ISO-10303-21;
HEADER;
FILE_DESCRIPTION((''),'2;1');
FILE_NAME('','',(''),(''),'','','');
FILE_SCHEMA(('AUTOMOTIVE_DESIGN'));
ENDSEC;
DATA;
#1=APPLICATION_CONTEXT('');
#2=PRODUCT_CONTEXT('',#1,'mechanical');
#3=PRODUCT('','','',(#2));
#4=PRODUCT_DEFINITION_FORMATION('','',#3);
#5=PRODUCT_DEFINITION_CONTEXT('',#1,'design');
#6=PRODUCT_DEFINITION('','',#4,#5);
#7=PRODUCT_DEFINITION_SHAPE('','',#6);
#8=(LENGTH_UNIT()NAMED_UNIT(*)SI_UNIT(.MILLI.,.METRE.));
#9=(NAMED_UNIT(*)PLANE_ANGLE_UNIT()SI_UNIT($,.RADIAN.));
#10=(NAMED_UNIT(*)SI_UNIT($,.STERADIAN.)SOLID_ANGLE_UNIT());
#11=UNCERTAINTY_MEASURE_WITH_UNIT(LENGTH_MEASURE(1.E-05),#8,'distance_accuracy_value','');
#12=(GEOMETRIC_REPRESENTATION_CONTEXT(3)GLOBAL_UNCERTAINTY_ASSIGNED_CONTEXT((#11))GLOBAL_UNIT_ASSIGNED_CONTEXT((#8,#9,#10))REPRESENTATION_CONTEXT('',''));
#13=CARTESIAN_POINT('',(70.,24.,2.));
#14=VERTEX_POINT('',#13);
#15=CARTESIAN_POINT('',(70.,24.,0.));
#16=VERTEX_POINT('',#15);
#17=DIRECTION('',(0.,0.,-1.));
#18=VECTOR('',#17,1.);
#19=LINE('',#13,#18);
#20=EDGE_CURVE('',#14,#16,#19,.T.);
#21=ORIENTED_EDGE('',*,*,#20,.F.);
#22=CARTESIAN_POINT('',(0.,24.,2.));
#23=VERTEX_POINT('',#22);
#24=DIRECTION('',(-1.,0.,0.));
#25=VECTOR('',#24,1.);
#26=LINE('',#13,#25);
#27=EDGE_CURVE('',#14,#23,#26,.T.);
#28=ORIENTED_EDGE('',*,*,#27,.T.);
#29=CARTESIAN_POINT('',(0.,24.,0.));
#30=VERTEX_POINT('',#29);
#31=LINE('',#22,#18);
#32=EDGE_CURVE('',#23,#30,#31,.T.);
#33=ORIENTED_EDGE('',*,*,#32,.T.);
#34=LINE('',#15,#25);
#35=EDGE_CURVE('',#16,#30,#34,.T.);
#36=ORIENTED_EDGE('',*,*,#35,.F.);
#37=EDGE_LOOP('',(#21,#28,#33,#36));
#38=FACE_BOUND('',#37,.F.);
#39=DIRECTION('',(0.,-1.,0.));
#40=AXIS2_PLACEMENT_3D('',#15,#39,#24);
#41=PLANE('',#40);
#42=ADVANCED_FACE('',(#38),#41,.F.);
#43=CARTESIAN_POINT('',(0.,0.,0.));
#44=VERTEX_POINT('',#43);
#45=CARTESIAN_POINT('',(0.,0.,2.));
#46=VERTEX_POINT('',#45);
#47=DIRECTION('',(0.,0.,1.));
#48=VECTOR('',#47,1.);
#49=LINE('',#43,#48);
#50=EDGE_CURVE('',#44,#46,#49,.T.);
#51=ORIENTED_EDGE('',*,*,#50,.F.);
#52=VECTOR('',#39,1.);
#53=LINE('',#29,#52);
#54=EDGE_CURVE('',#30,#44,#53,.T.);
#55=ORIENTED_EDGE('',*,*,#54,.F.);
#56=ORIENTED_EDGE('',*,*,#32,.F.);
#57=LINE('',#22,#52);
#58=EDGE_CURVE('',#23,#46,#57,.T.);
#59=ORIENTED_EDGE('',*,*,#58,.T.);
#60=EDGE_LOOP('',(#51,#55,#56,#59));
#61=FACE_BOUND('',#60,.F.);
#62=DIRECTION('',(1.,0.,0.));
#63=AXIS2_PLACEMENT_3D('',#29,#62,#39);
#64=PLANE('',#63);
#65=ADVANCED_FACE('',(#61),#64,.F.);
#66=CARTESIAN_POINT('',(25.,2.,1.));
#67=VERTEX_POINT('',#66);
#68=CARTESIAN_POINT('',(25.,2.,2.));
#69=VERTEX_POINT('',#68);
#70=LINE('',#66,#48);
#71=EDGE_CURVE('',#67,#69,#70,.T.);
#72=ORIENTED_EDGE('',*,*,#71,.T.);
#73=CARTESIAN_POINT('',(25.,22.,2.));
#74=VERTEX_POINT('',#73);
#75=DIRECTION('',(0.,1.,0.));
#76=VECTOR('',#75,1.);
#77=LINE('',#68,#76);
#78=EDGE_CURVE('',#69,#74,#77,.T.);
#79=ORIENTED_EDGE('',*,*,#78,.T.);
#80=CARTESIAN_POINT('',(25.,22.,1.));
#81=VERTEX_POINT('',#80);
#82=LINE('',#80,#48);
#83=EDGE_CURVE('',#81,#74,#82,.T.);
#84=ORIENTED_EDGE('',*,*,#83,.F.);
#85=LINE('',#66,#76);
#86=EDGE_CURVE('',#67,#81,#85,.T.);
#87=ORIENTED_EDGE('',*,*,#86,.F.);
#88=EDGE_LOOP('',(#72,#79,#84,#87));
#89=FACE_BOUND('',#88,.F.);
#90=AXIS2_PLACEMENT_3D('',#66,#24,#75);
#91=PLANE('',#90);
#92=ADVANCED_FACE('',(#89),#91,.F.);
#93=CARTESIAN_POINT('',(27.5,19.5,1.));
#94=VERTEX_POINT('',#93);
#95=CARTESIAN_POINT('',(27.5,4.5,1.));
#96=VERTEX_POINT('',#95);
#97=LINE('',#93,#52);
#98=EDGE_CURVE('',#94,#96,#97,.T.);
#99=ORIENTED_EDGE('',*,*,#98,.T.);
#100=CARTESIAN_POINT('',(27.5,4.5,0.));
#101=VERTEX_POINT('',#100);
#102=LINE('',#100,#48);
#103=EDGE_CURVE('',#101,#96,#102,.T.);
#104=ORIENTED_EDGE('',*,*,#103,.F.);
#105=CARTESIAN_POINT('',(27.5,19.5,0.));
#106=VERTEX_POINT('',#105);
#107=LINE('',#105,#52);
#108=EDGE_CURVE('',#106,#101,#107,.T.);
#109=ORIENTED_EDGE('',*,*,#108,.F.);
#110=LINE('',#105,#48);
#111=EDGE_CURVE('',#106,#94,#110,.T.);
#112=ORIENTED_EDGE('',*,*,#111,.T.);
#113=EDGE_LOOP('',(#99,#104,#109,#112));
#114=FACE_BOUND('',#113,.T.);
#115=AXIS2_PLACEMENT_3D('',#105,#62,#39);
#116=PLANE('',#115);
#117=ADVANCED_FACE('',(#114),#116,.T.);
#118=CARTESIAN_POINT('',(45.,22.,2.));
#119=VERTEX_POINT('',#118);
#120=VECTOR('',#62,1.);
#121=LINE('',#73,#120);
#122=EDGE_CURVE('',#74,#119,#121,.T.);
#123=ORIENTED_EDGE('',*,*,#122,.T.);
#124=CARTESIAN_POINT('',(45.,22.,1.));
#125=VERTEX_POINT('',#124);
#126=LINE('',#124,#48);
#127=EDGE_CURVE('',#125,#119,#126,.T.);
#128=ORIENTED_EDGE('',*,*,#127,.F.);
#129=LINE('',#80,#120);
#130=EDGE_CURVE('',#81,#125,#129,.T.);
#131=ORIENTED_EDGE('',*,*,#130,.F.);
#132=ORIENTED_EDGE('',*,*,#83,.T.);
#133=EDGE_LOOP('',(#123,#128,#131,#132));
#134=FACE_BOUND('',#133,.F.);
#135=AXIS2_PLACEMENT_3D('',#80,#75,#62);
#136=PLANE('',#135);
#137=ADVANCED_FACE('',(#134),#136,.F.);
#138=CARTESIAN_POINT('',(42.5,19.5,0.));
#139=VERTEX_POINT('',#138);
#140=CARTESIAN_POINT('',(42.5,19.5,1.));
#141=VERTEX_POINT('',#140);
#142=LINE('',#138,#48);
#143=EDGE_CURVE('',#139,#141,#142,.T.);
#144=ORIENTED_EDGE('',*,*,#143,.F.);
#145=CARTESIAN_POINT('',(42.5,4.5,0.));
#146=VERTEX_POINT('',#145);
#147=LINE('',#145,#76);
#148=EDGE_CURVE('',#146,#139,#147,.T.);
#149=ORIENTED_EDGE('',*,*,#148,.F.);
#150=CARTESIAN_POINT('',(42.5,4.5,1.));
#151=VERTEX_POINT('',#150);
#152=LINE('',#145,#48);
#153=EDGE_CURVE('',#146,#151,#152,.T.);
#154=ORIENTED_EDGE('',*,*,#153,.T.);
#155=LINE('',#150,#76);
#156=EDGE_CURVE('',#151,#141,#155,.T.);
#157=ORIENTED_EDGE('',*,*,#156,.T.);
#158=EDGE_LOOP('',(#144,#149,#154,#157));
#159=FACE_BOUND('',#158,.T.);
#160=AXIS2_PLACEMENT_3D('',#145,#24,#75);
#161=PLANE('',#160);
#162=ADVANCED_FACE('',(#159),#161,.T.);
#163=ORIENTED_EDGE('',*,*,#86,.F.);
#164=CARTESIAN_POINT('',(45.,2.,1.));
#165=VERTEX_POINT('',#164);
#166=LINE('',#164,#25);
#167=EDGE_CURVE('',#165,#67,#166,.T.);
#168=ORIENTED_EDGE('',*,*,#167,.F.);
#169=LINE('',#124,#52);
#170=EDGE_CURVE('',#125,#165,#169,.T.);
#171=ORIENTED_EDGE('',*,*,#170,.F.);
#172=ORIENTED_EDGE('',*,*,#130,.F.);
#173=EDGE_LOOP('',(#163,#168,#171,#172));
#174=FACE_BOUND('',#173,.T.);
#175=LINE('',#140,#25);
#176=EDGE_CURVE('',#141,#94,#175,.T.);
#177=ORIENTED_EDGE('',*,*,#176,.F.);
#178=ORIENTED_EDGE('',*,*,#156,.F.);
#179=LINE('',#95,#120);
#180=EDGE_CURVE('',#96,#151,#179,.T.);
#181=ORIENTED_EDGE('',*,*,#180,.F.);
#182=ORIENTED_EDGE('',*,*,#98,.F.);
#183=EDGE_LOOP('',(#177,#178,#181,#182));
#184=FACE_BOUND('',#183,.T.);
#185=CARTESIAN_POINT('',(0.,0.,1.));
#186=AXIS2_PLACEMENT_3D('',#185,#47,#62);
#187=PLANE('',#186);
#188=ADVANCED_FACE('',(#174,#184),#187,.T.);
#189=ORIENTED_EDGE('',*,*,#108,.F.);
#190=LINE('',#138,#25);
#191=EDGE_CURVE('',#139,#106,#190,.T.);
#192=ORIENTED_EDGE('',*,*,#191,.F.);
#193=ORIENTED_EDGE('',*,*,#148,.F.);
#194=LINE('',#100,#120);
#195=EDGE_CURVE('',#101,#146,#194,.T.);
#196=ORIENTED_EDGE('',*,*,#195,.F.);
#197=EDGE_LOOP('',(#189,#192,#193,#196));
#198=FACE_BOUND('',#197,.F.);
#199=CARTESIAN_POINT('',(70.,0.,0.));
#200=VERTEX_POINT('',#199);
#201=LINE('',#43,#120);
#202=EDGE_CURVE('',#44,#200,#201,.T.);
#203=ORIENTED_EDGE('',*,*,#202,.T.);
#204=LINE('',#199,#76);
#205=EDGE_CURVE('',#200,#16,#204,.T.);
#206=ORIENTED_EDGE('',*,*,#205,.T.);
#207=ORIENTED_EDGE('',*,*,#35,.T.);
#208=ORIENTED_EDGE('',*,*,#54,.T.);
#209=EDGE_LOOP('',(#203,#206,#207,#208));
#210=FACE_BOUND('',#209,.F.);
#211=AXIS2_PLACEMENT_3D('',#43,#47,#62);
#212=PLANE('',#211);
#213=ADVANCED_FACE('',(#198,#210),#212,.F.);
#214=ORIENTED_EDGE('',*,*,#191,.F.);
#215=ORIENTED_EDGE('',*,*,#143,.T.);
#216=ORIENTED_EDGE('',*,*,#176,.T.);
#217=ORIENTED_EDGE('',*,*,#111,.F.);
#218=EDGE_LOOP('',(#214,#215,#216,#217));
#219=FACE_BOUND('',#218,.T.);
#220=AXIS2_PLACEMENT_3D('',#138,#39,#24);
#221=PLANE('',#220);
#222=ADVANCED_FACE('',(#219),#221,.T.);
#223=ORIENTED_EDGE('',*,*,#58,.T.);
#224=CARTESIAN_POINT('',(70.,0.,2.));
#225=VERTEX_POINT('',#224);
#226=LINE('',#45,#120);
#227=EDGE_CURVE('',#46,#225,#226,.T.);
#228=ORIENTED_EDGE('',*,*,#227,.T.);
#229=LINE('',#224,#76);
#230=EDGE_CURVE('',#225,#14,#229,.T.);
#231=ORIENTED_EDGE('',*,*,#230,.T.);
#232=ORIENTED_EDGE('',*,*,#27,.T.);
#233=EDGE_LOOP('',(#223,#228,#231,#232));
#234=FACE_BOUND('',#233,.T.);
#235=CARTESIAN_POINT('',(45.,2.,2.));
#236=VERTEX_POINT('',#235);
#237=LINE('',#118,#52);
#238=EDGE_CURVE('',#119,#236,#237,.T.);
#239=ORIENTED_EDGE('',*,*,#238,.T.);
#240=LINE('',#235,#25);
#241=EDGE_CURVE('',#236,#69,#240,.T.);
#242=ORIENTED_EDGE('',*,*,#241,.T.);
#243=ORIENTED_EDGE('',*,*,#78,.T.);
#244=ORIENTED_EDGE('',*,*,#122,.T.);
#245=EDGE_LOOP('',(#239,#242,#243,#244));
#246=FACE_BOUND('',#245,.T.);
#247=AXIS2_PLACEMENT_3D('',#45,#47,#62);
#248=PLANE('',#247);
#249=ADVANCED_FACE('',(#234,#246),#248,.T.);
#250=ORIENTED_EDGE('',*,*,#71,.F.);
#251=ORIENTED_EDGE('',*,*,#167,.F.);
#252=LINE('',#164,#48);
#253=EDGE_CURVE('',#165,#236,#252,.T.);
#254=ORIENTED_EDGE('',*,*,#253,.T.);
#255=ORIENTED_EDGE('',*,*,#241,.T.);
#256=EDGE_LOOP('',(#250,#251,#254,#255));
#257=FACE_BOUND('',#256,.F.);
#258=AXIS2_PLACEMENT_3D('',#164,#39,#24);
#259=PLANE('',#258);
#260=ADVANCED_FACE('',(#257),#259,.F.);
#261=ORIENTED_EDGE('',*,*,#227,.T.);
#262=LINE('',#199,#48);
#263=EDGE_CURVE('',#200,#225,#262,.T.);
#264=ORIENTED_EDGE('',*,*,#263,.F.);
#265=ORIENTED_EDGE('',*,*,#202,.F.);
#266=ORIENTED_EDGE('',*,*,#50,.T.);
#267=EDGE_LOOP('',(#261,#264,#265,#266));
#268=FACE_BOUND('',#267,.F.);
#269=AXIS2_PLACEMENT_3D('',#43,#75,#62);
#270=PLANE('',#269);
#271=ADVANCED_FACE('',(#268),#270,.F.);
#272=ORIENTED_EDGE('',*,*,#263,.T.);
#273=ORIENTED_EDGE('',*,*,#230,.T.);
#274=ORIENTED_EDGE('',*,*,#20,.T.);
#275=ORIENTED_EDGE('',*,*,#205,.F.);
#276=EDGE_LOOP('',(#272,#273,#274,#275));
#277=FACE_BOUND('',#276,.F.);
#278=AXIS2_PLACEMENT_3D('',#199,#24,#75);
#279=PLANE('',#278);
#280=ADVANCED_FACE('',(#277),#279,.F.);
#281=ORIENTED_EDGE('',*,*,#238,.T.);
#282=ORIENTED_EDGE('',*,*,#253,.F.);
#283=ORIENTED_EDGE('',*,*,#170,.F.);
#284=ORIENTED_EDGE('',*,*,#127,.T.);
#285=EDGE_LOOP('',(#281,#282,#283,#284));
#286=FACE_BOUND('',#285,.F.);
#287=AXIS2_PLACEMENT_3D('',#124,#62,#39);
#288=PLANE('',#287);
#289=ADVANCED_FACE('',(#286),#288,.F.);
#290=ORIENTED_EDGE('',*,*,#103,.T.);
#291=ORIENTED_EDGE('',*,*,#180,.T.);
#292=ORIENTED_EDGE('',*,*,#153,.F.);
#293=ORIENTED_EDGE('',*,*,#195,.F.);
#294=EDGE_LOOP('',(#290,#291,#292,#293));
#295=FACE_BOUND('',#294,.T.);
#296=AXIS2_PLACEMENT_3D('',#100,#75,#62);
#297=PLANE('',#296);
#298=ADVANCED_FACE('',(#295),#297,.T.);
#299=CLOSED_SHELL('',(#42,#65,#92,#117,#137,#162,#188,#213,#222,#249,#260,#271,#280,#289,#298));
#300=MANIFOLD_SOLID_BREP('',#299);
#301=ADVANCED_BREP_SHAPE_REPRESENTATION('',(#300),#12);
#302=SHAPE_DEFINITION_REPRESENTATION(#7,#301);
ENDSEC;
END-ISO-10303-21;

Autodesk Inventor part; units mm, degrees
ref_plane "YZ Plane" through (0, 0, 0) normal (1, 0, 0) x (0, 1, 0)
ref_plane "XZ Plane" through (0, 0, 0) normal (0, 1, 0) x (-1, 0, 0)
ref_plane "XY Plane" through (0, 0, 0) normal (0, 0, 1) x (1, 0, 0)
sketch "Sketch1" plane through (0, 0, 0) normal (0, 0, 1) x (1, 0, 0)
  line L0 (0, 0) -> (70, 0)
  line L1 (70, 0) -> (70, 24)
  line L2 (70, 24) -> (0, 24)
  line L3 (0, 24) -> (0, 0)
  line L4 (27.5, 4.5) -> (42.5, 4.5)
  line L5 (42.5, 4.5) -> (42.5, 19.5)
  line L6 (42.5, 19.5) -> (27.5, 19.5)
  line L7 (27.5, 19.5) -> (27.5, 4.5)
  line L8 (27.5, 4.5) -> (42.5, 19.5) construction
  line L9 (42.5, 4.5) -> (27.5, 19.5) construction
  point P0 (35, 12)
  dimension "d0" = 70
  dimension "d1" = 24
  dimension "d2" = 15
  dimension "d3" = 15
extrude "Extrusion1" add sketch "Sketch1" along normal blind 1
sketch "Sketch2" plane through (0, 0, 1) normal (0, 0, 1) x (1, 0, 0)
  line L0 (27.5, 4.5) -> (27.5, 19.5) projected
  line L1 (27.5, 19.5) -> (42.5, 19.5) projected
  line L2 (42.5, 19.5) -> (42.5, 4.5) projected
  line L3 (42.5, 4.5) -> (27.5, 4.5) projected
  line L4 (0, 0) -> (70, 0) projected
  line L5 (70, 0) -> (70, 24) projected
  line L6 (70, 24) -> (0, 24) projected
  line L7 (0, 24) -> (0, 0) projected
  line L8 (45, 2) -> (25, 2)
  line L9 (25, 2) -> (25, 22)
  line L10 (25, 22) -> (45, 22)
  line L11 (45, 22) -> (45, 2)
  line L12 (45, 2) -> (25, 22) construction
  line L13 (25, 2) -> (45, 22) construction
  point P0 (35, 12)
  dimension "d6" = 20
  dimension "d7" = 20
extrude "Extrusion2" add sketch "Sketch2" along normal blind 1 contours L7 L6 L5 L4
properties part number "cellSTORM_coverslip_slide_adapter"
